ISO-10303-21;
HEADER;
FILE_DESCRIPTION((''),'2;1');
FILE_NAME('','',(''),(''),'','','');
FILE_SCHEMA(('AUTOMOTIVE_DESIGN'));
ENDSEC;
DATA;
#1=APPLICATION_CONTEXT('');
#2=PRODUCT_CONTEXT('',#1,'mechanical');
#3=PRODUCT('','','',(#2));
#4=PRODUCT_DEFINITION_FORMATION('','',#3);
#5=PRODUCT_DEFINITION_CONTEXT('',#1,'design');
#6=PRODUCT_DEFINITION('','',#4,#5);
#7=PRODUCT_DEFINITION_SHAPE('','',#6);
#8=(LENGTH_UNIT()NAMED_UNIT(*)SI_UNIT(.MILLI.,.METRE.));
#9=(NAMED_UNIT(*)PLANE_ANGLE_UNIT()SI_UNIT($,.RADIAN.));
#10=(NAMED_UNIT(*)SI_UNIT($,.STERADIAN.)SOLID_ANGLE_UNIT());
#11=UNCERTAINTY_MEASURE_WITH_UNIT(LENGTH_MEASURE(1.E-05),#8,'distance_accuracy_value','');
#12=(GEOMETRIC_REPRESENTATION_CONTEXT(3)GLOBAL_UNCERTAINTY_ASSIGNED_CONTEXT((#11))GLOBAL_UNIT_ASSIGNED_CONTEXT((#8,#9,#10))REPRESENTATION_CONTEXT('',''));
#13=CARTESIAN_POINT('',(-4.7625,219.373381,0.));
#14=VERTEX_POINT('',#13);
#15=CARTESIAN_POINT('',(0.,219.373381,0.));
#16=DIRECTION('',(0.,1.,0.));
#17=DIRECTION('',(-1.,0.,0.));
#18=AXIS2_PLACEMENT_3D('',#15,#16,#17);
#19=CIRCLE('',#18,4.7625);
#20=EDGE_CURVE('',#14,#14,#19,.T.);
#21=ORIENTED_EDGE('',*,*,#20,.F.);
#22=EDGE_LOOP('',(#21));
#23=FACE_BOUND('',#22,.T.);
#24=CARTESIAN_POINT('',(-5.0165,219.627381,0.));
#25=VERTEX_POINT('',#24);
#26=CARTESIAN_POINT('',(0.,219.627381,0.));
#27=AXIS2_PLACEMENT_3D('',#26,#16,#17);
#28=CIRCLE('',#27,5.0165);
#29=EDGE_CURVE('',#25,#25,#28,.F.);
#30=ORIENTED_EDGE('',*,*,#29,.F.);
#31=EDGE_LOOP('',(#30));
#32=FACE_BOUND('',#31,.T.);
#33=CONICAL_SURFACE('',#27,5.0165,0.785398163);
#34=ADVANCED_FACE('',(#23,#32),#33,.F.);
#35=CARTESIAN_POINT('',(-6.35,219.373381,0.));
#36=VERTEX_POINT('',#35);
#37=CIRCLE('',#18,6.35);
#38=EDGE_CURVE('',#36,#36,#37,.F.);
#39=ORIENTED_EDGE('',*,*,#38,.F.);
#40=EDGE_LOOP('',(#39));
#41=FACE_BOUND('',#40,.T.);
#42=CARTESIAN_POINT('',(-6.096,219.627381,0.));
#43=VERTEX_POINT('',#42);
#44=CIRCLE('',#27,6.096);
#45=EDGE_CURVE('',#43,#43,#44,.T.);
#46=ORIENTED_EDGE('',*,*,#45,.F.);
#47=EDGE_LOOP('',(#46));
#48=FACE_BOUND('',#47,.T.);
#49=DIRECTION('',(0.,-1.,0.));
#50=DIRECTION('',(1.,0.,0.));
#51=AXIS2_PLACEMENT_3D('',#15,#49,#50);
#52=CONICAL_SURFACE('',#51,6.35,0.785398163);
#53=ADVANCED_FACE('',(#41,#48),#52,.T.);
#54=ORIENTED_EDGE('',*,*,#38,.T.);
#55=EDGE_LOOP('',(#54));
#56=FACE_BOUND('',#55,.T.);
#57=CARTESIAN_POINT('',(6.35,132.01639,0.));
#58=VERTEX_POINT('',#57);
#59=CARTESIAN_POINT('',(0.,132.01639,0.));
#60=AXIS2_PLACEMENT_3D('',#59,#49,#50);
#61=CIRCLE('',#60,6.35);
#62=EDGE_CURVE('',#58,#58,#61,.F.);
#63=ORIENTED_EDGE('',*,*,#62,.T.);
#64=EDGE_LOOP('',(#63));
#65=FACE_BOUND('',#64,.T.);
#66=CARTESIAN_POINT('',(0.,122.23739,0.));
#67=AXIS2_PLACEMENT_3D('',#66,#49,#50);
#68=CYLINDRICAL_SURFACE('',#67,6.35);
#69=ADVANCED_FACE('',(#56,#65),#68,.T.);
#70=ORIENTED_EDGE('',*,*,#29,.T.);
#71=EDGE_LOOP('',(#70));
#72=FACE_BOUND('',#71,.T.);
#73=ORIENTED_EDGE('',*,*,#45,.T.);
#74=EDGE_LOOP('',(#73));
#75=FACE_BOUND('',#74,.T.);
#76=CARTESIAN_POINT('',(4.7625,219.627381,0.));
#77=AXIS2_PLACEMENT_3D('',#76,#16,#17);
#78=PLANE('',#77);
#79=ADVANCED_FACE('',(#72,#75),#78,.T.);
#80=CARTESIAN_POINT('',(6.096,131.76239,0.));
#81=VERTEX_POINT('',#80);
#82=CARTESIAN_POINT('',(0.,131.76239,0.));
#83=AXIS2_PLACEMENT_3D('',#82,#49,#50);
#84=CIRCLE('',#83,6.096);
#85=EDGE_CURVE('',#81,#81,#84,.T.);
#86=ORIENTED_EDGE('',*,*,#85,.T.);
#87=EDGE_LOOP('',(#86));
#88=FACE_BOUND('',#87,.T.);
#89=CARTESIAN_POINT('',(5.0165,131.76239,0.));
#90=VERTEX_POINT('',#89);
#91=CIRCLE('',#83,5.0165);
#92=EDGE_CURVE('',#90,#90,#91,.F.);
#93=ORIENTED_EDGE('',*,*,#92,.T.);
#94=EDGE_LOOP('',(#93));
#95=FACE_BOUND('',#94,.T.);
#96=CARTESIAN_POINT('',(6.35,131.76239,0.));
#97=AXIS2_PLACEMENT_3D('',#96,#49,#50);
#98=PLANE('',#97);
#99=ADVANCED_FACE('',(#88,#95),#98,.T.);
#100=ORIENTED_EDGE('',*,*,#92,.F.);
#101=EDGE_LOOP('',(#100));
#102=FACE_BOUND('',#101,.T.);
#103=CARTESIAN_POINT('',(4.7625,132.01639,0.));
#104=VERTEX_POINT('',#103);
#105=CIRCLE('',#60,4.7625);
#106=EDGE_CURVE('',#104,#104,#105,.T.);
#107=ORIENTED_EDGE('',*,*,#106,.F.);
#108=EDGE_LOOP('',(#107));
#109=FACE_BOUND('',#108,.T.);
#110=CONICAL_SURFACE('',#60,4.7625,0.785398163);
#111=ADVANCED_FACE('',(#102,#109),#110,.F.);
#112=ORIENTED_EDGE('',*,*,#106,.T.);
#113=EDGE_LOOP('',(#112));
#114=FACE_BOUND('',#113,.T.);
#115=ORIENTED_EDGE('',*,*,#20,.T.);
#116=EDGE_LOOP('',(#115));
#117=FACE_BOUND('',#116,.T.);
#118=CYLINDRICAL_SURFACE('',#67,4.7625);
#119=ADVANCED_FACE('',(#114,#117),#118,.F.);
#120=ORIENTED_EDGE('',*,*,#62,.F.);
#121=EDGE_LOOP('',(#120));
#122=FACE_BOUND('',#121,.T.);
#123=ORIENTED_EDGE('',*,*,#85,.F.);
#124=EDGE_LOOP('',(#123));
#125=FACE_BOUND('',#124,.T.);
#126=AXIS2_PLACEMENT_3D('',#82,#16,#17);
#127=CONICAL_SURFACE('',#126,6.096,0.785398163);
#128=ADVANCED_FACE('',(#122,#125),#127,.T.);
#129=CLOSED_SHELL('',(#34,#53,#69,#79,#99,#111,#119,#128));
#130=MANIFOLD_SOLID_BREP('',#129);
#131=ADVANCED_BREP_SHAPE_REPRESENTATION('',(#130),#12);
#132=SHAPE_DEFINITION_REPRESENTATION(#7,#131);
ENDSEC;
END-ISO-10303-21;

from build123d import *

# Parameters (mm, degrees)
SKETCH1_W     = 1.5875
SKETCH1_H     = 87.864991064
CHAMFER1_SIZE = 0.254


with BuildPart() as part:
    # Sketch1 → Revolve1 (revolve)
    with BuildSketch(Plane.XY):
        with Locations((5.55625, 175.694885462)):
            Rectangle(SKETCH1_W, SKETCH1_H)
    revolve(axis=Axis((0, 122.23738993, 0), (0, 1, 0)))

    # Chamfer1
    chamfer1_edges = [part.edges().sort_by_distance(p)[0] for p in [
        (-6.35, 131.76238993, 0),
        (-6.35, 219.627380994, 0),
        (-4.7625, 219.627380994, 0),
        (-4.7625, 131.76238993, 0),
    ]]
    chamfer(chamfer1_edges, length=CHAMFER1_SIZE)


solid = part.part
